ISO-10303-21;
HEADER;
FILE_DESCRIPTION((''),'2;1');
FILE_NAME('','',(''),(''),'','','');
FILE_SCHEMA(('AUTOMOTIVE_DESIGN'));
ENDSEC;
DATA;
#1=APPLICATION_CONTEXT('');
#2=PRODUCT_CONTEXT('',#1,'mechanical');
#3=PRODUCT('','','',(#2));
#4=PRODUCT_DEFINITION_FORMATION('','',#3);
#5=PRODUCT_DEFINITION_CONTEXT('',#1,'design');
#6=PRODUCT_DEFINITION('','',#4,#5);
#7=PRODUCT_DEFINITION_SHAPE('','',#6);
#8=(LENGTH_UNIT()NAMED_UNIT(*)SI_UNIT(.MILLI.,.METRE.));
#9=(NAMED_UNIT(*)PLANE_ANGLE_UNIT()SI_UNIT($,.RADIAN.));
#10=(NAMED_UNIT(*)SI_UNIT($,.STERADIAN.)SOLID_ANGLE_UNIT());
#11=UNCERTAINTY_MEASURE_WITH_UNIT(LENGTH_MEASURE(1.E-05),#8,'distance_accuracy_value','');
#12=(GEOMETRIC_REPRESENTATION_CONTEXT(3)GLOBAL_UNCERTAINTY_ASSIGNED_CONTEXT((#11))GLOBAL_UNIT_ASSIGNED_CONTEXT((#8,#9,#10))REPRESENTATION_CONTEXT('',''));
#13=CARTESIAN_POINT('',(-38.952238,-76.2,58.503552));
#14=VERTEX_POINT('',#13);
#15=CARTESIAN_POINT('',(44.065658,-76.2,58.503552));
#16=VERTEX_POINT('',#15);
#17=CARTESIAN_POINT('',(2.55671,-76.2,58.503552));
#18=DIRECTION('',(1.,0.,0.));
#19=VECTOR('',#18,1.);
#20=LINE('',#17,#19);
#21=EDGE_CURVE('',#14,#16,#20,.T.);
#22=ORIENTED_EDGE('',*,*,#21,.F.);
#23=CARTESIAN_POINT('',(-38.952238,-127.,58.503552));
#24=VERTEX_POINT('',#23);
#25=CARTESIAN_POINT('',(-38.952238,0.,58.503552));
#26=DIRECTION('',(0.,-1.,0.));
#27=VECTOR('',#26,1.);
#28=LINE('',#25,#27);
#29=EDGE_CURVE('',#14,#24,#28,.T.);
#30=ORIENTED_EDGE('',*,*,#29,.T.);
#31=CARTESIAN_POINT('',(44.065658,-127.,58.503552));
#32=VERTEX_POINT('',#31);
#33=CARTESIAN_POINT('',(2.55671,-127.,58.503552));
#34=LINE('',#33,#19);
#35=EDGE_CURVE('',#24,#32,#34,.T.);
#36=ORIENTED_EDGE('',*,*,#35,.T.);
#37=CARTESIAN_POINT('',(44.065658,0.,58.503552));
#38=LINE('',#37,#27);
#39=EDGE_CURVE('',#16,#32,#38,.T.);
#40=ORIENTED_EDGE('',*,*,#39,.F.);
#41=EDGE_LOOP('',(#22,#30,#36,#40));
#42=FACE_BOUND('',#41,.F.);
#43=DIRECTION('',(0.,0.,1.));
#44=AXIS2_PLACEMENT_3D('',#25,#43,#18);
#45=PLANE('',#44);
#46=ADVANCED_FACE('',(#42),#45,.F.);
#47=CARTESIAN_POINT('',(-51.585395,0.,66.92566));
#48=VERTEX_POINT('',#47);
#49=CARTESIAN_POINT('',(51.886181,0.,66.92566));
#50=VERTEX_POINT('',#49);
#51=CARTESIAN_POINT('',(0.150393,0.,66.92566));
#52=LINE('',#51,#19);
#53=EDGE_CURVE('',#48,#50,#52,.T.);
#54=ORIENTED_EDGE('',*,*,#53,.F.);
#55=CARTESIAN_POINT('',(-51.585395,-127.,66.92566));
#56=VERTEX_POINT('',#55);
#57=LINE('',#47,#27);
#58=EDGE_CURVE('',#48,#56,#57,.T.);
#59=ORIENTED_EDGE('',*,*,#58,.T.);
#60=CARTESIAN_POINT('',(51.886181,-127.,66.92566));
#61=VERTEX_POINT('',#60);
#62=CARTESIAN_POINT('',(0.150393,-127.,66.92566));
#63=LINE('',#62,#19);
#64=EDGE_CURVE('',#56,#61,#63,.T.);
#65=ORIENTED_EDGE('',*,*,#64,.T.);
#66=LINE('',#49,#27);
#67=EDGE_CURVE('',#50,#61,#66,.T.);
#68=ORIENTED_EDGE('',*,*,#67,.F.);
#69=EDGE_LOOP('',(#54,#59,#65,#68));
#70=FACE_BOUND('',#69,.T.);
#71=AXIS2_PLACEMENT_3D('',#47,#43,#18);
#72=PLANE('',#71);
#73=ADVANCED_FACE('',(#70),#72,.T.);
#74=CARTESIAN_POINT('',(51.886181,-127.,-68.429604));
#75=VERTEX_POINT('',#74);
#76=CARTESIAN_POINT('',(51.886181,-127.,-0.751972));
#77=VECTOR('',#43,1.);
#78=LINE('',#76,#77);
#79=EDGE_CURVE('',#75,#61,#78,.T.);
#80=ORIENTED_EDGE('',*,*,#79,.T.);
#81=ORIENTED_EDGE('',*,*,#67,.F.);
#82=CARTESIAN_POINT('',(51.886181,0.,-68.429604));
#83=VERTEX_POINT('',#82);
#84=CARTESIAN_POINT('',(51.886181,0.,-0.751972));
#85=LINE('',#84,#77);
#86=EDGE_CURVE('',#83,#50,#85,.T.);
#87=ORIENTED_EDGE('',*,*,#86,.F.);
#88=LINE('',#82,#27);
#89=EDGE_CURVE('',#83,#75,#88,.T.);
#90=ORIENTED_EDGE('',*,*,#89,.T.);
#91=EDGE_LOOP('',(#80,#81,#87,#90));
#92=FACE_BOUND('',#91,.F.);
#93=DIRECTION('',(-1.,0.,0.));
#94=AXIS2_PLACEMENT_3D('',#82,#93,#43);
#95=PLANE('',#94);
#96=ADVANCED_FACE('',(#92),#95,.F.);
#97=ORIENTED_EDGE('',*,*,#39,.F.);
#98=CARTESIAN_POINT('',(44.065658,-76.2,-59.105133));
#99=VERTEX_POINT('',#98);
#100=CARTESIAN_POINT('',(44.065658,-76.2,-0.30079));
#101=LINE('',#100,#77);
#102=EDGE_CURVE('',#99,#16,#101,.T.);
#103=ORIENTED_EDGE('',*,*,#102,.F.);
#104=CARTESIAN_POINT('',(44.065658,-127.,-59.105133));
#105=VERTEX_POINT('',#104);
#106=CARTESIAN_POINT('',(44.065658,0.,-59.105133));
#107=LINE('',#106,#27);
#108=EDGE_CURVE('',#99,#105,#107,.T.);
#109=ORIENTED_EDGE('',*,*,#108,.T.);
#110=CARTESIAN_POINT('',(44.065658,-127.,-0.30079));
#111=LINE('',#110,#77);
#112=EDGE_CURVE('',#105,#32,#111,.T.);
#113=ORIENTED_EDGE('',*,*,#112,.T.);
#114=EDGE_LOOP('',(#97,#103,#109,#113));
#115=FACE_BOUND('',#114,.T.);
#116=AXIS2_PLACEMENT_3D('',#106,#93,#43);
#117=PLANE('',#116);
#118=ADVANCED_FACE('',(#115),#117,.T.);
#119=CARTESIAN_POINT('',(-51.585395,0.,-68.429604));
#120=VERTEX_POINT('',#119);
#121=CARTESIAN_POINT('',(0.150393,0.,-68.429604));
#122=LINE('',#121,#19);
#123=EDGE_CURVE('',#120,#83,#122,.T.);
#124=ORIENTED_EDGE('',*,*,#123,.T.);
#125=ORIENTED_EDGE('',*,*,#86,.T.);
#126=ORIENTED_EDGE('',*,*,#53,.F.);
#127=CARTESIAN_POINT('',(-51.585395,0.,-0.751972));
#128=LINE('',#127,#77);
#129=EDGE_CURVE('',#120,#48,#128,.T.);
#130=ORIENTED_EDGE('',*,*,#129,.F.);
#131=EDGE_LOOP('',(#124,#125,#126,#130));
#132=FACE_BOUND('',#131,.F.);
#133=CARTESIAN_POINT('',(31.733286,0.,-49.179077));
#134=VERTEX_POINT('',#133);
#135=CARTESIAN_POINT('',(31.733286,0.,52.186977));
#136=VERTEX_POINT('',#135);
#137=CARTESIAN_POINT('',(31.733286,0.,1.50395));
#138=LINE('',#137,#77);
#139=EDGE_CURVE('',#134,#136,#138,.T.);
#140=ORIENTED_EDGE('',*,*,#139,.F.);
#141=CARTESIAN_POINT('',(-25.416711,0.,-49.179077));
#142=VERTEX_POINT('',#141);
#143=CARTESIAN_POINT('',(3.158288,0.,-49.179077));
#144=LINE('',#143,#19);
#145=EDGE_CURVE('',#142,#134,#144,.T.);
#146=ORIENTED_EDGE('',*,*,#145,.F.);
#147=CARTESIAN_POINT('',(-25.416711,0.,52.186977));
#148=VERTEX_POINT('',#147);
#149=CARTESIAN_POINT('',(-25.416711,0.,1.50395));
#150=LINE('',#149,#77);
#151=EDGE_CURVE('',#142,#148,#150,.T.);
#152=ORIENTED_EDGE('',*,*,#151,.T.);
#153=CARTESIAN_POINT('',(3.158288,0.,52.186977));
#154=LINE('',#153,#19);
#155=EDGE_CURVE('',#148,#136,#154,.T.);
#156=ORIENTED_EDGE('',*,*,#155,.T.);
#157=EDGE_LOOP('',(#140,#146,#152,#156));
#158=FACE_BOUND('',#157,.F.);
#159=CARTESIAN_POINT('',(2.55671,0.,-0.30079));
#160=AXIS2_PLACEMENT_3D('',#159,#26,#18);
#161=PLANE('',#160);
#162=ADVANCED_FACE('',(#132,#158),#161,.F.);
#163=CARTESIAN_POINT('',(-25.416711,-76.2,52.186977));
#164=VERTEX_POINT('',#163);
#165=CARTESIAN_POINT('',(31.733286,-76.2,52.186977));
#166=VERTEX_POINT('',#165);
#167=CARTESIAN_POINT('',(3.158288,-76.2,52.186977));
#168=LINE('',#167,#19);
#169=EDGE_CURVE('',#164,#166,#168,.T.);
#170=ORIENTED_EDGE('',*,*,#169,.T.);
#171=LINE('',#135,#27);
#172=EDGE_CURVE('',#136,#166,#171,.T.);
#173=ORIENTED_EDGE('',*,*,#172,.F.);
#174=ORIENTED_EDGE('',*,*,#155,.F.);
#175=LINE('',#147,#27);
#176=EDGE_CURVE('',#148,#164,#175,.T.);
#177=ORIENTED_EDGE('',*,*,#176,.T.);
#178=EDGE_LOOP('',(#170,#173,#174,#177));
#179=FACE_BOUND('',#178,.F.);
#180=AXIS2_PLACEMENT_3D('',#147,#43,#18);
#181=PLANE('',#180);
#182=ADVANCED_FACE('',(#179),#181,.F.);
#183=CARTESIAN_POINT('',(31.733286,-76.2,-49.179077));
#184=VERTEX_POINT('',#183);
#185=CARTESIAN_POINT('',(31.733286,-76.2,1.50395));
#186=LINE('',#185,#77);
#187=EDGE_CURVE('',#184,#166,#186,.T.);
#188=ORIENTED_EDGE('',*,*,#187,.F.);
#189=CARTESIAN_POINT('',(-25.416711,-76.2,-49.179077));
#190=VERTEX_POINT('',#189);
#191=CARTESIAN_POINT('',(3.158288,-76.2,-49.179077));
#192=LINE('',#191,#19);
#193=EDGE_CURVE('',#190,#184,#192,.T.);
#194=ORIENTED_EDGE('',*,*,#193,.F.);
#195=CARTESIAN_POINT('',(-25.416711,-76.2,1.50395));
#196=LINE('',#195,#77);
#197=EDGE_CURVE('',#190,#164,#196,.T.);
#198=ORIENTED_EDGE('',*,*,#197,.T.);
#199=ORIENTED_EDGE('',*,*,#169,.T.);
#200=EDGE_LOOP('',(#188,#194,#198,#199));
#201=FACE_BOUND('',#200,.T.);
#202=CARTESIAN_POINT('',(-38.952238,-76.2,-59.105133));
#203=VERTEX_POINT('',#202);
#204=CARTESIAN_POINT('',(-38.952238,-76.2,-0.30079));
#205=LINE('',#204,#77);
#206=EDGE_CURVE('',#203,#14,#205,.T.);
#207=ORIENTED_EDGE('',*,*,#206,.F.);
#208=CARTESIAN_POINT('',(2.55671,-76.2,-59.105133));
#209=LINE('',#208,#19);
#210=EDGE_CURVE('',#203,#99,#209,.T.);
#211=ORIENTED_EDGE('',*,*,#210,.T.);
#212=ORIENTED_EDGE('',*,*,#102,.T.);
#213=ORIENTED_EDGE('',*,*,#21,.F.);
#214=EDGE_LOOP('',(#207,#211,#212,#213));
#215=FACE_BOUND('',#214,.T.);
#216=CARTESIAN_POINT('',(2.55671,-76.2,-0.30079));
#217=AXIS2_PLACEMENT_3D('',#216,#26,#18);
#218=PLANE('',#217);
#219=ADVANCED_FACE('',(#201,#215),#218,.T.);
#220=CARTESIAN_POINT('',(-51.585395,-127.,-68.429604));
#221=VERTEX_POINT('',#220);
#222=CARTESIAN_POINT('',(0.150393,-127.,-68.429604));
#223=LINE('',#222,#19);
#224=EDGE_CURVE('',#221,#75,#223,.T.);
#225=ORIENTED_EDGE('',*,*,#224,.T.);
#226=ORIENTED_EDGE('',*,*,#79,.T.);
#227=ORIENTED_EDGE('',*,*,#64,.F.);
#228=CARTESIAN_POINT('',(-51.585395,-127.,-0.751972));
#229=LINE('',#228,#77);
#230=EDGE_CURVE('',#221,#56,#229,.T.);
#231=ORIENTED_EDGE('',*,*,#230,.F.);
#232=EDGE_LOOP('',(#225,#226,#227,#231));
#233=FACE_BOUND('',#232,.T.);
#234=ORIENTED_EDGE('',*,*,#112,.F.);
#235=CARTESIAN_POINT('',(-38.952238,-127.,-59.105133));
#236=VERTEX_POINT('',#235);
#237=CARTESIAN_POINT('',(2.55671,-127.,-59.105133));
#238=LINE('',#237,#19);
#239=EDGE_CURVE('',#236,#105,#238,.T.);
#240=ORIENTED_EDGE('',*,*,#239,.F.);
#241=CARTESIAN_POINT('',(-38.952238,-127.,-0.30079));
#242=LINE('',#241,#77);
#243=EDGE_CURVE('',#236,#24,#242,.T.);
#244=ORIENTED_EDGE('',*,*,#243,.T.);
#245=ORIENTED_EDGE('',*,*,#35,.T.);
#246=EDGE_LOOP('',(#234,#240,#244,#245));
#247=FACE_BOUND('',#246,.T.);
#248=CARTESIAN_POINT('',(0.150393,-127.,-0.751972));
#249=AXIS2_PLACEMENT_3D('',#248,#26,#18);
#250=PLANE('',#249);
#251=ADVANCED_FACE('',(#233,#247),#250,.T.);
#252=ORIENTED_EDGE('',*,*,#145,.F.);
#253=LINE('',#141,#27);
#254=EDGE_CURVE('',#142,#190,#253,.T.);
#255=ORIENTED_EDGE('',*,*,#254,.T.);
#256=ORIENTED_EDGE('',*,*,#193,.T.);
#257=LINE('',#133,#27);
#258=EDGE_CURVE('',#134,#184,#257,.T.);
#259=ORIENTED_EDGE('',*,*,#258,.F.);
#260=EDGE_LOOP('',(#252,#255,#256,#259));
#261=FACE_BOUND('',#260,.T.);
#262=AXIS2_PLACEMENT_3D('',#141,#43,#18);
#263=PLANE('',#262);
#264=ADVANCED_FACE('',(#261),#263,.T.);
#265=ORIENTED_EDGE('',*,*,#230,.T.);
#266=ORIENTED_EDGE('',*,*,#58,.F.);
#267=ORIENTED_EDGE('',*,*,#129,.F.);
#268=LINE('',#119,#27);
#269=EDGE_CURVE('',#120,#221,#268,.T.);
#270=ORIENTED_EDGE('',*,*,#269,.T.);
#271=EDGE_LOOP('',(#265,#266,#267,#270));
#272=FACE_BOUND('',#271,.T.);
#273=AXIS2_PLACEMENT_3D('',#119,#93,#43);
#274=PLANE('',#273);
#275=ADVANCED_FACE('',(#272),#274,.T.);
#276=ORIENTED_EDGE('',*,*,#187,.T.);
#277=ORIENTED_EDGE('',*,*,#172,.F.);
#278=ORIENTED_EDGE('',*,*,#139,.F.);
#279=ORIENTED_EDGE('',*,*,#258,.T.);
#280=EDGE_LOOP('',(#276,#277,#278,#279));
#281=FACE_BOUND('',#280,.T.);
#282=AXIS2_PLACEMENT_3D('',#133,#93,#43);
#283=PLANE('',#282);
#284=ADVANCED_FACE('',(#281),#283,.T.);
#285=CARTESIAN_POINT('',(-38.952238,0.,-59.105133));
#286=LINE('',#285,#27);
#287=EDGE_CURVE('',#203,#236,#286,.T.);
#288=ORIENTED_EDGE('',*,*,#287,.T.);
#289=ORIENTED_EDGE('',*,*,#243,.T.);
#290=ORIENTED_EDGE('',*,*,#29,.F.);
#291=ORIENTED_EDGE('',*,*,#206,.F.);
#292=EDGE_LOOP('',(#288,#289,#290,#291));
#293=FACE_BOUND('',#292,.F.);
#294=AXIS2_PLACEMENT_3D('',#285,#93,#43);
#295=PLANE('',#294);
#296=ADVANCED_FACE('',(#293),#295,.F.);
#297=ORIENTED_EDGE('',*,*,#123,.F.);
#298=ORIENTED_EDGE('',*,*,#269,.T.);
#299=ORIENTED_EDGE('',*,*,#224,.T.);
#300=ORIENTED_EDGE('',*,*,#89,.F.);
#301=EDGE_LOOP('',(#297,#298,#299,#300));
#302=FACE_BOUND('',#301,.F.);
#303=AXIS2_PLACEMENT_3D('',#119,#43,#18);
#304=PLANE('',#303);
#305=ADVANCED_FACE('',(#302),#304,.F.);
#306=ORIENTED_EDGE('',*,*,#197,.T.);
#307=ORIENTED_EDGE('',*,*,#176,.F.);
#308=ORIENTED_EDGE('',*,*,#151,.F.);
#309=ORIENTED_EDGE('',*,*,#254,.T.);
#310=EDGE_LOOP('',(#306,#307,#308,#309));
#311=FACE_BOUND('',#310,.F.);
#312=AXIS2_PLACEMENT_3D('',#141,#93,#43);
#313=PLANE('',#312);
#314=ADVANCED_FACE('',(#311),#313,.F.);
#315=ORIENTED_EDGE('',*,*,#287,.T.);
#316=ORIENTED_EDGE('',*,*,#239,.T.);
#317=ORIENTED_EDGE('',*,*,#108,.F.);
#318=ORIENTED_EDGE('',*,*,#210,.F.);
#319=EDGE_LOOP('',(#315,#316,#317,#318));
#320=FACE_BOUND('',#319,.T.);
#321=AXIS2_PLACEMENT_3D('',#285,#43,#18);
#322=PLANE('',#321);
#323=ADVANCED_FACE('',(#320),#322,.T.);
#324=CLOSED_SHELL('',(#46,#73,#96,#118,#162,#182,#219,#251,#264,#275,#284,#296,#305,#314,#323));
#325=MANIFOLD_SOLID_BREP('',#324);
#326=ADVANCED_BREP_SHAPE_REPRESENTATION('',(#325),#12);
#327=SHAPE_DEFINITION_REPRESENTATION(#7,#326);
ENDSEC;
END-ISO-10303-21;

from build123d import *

# Parameters (mm, degrees)
F0_W     = 103.471577
F0_H     = 135.355264
F0_W_2   = 83.017897
F0_H_2   = 117.608685
F1_DEPTH = 127
F0_W_3   = 57.149997
F0_H_3   = 101.366054
F2_DEPTH = 76.2


with BuildPart() as f1:
    # F0 (on Front) → F1 (new body)
    with BuildSketch(Plane.XZ):
        with Locations((0.150393, -0.751972)):
            Rectangle(F0_W, F0_H)
        with Locations((2.55671, -0.30079)):
            Rectangle(F0_W_2, F0_H_2, mode=Mode.SUBTRACT)
    extrude(amount=F1_DEPTH)

    # F0 (on Front) → F2 (join)
    with BuildSketch(Plane.XZ):
        with Locations((2.55671, -0.30079)):
            Rectangle(F0_W_2, F0_H_2)
        with Locations((3.158288, 1.50395)):
            Rectangle(F0_W_3, F0_H_3, mode=Mode.SUBTRACT)
    extrude(amount=F2_DEPTH)


solid = f1.part
